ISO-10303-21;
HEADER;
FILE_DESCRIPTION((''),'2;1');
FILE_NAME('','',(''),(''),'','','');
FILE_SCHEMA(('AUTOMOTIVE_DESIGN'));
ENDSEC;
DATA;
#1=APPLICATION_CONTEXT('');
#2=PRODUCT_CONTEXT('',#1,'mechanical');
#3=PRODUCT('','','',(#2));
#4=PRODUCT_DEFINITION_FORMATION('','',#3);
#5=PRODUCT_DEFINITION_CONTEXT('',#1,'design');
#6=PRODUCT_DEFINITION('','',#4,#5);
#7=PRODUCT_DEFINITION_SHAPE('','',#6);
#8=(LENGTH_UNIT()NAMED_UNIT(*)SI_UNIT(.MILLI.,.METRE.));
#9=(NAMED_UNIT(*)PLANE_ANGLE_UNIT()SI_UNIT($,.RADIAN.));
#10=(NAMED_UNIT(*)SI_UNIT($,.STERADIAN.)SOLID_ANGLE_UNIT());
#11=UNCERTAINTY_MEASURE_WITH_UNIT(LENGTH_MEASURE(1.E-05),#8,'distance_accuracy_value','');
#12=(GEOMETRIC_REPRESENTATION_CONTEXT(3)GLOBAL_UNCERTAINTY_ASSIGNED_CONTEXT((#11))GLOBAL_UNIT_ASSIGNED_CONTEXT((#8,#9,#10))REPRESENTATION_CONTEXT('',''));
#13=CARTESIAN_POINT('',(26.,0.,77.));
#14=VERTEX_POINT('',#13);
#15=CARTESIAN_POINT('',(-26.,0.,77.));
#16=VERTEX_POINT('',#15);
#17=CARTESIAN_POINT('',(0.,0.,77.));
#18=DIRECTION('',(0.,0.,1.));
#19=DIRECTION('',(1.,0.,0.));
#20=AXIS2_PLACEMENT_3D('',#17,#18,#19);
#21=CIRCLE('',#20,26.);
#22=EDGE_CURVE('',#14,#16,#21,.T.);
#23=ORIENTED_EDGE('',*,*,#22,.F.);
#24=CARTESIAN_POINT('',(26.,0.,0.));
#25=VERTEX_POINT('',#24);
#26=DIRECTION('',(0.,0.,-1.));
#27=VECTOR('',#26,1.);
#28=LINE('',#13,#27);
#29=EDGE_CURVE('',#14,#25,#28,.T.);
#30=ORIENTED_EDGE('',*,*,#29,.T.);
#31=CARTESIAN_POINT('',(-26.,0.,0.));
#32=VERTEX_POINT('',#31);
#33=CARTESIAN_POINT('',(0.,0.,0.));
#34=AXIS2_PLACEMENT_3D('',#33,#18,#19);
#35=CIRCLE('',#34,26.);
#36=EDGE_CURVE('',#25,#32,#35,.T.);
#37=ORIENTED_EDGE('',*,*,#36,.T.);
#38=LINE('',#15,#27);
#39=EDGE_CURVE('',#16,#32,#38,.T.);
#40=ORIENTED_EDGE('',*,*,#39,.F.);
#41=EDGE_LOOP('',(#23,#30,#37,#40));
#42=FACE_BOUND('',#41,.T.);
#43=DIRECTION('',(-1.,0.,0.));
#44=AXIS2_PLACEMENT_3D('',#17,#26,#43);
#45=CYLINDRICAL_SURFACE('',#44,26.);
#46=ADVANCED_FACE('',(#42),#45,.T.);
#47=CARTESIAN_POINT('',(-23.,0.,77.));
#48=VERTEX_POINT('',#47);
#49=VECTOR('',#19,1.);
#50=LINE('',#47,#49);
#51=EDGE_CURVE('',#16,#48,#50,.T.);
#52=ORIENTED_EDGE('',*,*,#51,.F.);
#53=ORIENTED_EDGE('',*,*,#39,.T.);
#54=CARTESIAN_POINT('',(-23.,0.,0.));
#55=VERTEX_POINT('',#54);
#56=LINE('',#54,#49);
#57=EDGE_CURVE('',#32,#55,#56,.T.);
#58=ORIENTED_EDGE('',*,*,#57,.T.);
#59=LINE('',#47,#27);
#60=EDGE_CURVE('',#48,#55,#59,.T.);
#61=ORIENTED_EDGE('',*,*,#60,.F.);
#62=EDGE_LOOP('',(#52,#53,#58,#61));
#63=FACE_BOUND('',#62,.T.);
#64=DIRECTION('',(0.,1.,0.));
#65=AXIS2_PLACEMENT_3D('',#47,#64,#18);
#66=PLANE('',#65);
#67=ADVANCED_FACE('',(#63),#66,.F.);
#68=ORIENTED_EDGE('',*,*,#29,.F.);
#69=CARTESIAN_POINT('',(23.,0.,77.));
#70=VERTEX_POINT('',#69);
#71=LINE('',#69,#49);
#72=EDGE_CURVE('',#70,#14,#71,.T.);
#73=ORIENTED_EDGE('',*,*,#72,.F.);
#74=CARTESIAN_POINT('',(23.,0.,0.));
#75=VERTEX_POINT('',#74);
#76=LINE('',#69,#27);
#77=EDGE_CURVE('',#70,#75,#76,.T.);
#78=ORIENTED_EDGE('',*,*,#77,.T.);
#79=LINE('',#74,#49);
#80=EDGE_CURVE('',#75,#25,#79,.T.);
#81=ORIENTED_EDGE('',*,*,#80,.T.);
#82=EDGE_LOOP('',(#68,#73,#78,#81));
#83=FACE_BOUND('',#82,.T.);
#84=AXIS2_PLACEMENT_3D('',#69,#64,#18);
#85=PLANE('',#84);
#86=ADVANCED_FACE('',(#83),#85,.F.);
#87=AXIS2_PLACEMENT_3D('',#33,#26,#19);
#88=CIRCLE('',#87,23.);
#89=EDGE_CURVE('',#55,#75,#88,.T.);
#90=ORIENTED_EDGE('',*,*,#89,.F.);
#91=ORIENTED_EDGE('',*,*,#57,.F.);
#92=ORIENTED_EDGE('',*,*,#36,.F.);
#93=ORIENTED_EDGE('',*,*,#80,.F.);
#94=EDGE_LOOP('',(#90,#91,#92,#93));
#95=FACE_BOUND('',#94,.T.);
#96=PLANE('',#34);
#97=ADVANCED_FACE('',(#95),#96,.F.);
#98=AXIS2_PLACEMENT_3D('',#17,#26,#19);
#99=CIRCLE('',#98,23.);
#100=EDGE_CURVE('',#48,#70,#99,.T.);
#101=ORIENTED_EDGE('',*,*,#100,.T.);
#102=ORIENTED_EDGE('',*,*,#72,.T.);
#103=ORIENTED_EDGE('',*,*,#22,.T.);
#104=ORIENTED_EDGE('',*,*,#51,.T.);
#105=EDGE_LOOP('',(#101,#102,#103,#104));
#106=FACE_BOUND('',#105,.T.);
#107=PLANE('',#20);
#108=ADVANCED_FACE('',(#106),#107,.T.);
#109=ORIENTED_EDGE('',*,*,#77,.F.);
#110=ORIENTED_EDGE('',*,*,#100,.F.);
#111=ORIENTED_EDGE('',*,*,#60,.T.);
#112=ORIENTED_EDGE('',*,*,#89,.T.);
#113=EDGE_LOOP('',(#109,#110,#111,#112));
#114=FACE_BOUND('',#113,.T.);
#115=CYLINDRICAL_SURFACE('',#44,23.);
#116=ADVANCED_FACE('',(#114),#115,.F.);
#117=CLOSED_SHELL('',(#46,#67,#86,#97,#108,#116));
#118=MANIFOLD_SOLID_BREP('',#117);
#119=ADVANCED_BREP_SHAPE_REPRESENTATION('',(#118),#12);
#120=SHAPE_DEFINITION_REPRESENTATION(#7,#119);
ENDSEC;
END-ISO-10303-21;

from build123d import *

# Parameters (mm, degrees)
BOSS_EXTRUDE1_DEPTH = 77


with BuildPart() as part:
    # Sketch1 → Boss-Extrude1 (new body)
    with BuildSketch(Plane.XY):
        with BuildLine():
            Line((-23, 0), (-26, 0))
            ThreePointArc((-26, 0), (0, 26), (26, 0))
            Line((26, 0), (23, 0))
            ThreePointArc((23, 0), (0, 23), (-23, 0))
        make_face()
    extrude(amount=BOSS_EXTRUDE1_DEPTH)


solid = part.part
